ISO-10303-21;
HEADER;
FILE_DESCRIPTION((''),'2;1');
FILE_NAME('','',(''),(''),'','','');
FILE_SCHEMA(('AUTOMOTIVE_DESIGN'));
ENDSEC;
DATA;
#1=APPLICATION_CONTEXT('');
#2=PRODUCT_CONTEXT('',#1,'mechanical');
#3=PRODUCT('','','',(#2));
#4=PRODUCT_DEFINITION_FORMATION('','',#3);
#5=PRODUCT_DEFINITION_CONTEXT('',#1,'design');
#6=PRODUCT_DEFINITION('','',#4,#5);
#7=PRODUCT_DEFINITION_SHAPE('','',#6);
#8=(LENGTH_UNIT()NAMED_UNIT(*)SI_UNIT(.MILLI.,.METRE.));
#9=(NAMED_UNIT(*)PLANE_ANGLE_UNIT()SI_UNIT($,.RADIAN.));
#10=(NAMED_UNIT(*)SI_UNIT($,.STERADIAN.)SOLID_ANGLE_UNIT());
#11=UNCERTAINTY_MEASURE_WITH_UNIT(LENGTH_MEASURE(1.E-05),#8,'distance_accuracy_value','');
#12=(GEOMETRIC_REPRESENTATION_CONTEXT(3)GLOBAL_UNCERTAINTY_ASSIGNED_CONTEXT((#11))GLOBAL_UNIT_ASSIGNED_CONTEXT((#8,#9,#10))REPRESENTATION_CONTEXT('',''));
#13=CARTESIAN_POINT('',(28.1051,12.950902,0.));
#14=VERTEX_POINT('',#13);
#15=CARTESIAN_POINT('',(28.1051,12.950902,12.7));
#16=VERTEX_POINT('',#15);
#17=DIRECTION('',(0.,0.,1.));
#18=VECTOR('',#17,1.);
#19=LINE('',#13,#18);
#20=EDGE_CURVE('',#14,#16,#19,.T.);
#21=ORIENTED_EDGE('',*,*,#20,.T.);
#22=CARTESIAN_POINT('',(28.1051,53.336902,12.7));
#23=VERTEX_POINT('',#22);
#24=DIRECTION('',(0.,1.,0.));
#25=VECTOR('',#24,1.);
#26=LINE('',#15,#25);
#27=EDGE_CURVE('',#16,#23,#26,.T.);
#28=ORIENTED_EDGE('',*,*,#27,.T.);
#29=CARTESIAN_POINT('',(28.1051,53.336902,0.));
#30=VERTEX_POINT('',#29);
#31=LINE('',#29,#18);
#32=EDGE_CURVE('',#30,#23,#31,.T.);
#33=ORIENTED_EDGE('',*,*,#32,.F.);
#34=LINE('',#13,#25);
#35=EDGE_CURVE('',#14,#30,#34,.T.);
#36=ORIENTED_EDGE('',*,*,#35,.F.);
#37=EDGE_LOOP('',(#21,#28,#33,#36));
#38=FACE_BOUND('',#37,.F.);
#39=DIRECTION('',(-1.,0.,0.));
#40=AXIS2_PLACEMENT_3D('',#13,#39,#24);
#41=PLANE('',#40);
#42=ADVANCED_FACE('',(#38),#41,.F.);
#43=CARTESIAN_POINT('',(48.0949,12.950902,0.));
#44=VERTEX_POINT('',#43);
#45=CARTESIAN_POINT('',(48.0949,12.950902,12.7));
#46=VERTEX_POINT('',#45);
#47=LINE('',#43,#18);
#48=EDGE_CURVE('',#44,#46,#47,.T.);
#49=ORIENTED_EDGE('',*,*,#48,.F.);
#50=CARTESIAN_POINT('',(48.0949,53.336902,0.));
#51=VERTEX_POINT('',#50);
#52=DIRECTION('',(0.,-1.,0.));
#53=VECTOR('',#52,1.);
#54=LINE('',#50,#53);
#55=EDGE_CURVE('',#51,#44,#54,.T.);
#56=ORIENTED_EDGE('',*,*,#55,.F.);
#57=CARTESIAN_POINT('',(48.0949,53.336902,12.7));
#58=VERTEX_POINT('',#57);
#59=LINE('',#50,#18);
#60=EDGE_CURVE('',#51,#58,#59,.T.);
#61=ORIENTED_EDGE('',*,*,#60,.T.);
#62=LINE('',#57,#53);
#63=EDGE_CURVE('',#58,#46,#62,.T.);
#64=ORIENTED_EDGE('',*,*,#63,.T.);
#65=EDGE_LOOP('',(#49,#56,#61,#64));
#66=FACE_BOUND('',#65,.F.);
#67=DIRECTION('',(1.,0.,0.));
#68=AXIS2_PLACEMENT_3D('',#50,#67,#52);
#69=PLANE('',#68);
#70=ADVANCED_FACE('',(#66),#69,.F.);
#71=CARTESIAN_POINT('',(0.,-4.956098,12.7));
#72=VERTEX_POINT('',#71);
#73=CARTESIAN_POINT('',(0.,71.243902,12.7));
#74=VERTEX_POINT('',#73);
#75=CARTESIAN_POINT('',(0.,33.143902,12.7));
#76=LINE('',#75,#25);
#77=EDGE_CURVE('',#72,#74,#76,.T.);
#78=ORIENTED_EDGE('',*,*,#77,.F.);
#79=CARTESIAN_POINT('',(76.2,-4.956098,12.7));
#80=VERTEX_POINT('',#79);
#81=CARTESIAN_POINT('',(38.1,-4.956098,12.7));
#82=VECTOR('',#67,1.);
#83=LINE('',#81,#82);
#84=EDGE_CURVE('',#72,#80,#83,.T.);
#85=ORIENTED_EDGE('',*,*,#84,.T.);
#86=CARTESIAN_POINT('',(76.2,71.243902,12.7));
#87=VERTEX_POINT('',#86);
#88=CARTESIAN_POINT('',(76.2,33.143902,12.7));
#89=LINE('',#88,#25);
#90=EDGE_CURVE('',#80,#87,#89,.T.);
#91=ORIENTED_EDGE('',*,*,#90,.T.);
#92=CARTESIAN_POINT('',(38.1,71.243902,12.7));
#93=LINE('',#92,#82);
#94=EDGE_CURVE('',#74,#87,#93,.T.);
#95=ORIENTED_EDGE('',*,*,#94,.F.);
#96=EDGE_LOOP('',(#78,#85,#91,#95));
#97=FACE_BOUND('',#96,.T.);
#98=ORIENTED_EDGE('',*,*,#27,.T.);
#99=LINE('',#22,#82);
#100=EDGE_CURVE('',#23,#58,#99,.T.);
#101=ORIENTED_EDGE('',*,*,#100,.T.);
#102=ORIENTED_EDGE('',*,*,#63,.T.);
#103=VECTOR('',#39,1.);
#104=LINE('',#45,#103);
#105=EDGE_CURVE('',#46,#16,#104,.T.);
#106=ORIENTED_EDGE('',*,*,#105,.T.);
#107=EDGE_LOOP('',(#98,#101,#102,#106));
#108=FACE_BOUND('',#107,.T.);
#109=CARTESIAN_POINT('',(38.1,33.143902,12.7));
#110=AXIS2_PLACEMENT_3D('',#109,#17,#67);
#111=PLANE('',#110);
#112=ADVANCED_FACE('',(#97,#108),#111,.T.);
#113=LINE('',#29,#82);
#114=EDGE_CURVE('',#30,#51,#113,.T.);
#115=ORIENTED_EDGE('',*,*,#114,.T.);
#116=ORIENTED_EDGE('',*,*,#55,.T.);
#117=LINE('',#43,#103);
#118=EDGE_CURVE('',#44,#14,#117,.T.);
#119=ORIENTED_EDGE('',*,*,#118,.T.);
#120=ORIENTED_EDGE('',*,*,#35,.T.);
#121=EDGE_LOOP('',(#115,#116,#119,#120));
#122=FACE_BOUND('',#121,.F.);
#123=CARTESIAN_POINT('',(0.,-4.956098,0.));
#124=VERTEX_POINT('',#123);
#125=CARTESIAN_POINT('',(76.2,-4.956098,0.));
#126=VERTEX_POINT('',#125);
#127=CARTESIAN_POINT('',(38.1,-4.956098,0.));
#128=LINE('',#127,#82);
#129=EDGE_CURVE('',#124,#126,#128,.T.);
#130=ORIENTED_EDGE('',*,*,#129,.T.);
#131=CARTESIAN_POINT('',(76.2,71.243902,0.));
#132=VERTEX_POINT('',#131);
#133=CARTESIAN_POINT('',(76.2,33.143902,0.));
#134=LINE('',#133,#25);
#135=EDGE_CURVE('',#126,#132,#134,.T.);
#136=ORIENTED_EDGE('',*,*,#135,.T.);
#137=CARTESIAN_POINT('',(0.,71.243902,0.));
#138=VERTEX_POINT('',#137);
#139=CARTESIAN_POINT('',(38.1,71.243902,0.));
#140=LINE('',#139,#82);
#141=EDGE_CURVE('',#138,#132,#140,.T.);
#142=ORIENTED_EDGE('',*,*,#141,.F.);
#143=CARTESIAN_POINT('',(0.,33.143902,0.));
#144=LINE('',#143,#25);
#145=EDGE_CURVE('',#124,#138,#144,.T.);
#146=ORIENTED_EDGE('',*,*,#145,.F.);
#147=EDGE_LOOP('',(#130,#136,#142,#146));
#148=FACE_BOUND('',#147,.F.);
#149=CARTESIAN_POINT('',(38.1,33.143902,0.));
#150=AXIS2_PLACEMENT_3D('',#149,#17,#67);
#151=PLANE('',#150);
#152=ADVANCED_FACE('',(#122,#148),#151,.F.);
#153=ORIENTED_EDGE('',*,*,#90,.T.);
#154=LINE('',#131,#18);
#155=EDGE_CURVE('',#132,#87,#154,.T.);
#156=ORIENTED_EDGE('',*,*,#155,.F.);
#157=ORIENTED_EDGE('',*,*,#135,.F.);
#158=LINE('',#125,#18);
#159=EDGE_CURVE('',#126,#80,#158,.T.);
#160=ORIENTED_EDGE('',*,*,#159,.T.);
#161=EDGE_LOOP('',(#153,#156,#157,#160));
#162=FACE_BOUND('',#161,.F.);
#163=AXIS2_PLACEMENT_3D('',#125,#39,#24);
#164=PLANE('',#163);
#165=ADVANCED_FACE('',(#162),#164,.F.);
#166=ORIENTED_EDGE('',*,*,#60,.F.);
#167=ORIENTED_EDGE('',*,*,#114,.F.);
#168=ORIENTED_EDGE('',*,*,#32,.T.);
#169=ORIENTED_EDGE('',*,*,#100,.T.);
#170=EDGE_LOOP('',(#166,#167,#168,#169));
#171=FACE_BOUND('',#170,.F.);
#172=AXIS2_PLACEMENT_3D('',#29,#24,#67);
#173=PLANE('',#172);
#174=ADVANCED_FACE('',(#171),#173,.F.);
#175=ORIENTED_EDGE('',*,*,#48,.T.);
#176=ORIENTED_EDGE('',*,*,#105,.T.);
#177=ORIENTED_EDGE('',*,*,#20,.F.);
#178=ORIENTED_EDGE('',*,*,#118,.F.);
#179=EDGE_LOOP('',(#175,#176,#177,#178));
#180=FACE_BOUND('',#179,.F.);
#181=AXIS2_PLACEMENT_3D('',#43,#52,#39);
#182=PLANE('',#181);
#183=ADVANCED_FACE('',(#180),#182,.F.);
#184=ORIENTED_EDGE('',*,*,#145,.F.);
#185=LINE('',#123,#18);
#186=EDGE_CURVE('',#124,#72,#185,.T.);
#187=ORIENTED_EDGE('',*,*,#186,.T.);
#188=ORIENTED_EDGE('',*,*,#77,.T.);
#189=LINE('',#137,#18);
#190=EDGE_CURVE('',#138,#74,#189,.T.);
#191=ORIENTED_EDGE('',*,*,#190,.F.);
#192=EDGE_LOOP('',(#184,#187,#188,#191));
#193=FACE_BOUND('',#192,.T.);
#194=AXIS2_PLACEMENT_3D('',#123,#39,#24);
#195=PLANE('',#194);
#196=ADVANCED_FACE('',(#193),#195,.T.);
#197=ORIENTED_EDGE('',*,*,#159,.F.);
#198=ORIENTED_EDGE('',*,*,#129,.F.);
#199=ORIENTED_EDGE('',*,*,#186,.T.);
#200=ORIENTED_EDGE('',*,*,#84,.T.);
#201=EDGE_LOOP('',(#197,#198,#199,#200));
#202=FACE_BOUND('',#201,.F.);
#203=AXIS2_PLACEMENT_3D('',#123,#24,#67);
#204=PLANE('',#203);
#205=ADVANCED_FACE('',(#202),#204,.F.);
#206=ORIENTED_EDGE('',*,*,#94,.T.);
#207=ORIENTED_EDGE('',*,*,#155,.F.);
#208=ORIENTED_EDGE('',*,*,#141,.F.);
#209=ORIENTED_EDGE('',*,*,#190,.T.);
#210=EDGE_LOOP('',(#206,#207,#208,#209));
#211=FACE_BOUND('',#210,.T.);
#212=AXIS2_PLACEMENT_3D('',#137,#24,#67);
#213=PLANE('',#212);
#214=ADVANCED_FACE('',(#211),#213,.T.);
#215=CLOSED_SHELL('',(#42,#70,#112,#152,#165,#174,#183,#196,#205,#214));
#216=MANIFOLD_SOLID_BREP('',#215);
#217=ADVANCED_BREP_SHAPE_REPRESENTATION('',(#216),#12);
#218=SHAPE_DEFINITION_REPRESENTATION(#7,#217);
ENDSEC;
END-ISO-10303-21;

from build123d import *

# Parameters (mm, degrees)
F0_W     = 76.2
F0_H     = 76.2
F1_DEPTH = 12.7


with BuildPart() as f1:
    # F0 (on Top) → F1 (new body)
    with BuildSketch(Plane.XY):
        with Locations((38.1, 33.143902)):
            Rectangle(F0_W, F0_H)
        Polygon((28.1051, 33.143902), (28.1051, 53.336902), (38.1, 53.336902), (48.0949, 53.336902), (48.0949, 33.143902), (48.0949, 12.950902), (38.1, 12.950902), (28.1051, 12.950902), align=None, mode=Mode.SUBTRACT)
    extrude(amount=F1_DEPTH)


solid = f1.part
